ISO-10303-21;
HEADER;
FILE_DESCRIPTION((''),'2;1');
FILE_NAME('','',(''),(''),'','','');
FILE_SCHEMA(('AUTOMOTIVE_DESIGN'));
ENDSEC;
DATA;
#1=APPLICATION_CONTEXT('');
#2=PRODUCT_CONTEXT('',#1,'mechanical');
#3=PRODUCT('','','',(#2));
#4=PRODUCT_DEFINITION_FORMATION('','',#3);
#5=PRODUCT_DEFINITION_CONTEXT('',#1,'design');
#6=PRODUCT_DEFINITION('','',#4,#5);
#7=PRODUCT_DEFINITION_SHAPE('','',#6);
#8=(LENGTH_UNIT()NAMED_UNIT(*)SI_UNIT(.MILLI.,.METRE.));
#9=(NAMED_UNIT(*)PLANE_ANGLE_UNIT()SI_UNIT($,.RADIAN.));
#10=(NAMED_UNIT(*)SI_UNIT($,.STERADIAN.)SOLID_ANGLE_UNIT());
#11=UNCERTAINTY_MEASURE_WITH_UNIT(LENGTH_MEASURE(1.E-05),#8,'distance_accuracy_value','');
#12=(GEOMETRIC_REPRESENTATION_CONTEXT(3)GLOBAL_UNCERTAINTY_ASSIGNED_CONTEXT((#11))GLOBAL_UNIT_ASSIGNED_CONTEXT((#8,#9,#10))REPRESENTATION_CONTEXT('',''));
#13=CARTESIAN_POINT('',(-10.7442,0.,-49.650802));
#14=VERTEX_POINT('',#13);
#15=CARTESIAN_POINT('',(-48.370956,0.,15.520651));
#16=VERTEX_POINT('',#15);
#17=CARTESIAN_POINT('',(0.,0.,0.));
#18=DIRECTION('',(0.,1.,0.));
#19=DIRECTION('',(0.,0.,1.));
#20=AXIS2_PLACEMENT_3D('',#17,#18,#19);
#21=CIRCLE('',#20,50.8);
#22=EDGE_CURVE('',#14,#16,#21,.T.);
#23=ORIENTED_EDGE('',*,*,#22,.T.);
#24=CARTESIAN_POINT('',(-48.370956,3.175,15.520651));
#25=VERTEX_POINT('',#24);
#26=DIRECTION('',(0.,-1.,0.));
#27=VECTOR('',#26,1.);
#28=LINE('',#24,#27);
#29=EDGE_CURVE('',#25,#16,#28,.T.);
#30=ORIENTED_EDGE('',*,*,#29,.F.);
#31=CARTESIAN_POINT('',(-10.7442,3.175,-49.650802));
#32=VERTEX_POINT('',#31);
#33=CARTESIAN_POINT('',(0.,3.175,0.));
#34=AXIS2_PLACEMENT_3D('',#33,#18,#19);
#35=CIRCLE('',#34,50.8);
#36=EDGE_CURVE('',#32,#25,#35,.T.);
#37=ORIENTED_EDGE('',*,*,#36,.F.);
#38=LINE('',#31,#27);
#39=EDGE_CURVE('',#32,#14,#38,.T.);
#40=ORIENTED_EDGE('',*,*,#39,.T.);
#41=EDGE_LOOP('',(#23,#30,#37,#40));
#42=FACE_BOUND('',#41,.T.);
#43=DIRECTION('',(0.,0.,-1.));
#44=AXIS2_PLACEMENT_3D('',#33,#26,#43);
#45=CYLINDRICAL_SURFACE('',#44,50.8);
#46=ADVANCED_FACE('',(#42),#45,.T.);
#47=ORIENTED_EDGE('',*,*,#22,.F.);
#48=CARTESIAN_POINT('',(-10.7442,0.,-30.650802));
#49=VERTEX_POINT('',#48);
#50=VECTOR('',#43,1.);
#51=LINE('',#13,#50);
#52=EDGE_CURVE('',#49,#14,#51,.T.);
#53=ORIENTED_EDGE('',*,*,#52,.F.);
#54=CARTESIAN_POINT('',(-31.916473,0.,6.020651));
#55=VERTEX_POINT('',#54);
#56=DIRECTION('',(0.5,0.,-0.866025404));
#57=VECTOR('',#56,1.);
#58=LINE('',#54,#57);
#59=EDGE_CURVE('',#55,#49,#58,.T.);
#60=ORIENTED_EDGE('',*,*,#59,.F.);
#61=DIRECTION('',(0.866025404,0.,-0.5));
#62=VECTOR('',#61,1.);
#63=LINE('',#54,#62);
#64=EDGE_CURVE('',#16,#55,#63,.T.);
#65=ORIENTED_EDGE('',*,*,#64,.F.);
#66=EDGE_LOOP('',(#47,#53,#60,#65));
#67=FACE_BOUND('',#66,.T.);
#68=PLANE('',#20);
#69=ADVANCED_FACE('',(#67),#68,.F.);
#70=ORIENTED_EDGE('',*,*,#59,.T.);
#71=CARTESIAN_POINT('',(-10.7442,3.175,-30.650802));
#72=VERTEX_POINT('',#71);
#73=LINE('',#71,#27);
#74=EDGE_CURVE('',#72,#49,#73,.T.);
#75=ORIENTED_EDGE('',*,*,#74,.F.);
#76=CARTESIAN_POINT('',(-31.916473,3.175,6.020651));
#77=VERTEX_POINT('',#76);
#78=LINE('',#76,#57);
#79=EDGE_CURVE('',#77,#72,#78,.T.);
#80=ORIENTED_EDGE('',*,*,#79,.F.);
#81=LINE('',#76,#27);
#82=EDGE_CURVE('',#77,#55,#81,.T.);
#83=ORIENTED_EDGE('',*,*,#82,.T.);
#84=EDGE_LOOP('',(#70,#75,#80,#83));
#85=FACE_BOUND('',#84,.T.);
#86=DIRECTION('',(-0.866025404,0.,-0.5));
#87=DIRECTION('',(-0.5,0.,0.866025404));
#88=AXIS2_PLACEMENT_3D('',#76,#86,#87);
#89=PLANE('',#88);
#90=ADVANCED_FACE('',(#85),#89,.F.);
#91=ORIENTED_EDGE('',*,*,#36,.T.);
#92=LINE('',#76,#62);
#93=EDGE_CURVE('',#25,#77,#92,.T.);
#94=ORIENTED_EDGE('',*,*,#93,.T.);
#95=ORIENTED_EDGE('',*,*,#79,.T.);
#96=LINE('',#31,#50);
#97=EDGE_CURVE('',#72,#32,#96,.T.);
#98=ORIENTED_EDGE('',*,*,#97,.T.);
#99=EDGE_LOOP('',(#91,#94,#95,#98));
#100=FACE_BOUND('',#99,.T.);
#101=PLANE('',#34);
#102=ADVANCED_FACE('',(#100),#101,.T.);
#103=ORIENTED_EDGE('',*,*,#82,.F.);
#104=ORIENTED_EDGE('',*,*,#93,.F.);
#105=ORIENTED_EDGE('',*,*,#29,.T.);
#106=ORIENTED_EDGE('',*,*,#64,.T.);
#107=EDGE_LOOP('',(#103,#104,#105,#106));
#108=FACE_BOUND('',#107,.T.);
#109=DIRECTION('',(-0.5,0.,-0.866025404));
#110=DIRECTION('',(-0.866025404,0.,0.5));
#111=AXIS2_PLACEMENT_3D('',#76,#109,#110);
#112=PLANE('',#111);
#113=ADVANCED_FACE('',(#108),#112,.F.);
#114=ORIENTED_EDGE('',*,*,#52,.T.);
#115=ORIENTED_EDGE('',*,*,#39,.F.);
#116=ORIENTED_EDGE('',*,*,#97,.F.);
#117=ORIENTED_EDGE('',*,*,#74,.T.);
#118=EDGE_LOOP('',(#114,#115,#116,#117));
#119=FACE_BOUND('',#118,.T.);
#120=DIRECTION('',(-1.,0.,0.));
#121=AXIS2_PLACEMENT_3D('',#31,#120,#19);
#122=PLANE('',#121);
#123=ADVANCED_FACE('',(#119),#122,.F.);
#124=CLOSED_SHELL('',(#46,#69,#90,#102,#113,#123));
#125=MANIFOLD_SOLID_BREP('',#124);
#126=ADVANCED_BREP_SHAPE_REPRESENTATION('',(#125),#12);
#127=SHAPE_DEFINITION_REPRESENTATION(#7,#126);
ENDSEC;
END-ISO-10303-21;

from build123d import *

# Parameters (mm, degrees)
EXTRUDE1_DEPTH = 3.175


with BuildPart() as part:
    # Sketch1 → Extrude1 (new body)
    with BuildSketch(Plane(origin=(0, 0, 0), x_dir=(1, 0, 0), z_dir=(0, 1, 0))):
        with BuildLine():
            Line((-10.7442, 49.650802273), (-10.7442, 30.650802273))
            Line((-10.7442, 30.650802273), (-31.916473415, -6.020650993))
            Line((-31.916473415, -6.020650993), (-48.370956087, -15.520650993))
            ThreePointArc((-48.370956087, -15.520650993), (-43.994090512, 25.4), (-10.7442, 49.650802273))
        make_face()
    extrude(amount=EXTRUDE1_DEPTH)


solid = part.part
